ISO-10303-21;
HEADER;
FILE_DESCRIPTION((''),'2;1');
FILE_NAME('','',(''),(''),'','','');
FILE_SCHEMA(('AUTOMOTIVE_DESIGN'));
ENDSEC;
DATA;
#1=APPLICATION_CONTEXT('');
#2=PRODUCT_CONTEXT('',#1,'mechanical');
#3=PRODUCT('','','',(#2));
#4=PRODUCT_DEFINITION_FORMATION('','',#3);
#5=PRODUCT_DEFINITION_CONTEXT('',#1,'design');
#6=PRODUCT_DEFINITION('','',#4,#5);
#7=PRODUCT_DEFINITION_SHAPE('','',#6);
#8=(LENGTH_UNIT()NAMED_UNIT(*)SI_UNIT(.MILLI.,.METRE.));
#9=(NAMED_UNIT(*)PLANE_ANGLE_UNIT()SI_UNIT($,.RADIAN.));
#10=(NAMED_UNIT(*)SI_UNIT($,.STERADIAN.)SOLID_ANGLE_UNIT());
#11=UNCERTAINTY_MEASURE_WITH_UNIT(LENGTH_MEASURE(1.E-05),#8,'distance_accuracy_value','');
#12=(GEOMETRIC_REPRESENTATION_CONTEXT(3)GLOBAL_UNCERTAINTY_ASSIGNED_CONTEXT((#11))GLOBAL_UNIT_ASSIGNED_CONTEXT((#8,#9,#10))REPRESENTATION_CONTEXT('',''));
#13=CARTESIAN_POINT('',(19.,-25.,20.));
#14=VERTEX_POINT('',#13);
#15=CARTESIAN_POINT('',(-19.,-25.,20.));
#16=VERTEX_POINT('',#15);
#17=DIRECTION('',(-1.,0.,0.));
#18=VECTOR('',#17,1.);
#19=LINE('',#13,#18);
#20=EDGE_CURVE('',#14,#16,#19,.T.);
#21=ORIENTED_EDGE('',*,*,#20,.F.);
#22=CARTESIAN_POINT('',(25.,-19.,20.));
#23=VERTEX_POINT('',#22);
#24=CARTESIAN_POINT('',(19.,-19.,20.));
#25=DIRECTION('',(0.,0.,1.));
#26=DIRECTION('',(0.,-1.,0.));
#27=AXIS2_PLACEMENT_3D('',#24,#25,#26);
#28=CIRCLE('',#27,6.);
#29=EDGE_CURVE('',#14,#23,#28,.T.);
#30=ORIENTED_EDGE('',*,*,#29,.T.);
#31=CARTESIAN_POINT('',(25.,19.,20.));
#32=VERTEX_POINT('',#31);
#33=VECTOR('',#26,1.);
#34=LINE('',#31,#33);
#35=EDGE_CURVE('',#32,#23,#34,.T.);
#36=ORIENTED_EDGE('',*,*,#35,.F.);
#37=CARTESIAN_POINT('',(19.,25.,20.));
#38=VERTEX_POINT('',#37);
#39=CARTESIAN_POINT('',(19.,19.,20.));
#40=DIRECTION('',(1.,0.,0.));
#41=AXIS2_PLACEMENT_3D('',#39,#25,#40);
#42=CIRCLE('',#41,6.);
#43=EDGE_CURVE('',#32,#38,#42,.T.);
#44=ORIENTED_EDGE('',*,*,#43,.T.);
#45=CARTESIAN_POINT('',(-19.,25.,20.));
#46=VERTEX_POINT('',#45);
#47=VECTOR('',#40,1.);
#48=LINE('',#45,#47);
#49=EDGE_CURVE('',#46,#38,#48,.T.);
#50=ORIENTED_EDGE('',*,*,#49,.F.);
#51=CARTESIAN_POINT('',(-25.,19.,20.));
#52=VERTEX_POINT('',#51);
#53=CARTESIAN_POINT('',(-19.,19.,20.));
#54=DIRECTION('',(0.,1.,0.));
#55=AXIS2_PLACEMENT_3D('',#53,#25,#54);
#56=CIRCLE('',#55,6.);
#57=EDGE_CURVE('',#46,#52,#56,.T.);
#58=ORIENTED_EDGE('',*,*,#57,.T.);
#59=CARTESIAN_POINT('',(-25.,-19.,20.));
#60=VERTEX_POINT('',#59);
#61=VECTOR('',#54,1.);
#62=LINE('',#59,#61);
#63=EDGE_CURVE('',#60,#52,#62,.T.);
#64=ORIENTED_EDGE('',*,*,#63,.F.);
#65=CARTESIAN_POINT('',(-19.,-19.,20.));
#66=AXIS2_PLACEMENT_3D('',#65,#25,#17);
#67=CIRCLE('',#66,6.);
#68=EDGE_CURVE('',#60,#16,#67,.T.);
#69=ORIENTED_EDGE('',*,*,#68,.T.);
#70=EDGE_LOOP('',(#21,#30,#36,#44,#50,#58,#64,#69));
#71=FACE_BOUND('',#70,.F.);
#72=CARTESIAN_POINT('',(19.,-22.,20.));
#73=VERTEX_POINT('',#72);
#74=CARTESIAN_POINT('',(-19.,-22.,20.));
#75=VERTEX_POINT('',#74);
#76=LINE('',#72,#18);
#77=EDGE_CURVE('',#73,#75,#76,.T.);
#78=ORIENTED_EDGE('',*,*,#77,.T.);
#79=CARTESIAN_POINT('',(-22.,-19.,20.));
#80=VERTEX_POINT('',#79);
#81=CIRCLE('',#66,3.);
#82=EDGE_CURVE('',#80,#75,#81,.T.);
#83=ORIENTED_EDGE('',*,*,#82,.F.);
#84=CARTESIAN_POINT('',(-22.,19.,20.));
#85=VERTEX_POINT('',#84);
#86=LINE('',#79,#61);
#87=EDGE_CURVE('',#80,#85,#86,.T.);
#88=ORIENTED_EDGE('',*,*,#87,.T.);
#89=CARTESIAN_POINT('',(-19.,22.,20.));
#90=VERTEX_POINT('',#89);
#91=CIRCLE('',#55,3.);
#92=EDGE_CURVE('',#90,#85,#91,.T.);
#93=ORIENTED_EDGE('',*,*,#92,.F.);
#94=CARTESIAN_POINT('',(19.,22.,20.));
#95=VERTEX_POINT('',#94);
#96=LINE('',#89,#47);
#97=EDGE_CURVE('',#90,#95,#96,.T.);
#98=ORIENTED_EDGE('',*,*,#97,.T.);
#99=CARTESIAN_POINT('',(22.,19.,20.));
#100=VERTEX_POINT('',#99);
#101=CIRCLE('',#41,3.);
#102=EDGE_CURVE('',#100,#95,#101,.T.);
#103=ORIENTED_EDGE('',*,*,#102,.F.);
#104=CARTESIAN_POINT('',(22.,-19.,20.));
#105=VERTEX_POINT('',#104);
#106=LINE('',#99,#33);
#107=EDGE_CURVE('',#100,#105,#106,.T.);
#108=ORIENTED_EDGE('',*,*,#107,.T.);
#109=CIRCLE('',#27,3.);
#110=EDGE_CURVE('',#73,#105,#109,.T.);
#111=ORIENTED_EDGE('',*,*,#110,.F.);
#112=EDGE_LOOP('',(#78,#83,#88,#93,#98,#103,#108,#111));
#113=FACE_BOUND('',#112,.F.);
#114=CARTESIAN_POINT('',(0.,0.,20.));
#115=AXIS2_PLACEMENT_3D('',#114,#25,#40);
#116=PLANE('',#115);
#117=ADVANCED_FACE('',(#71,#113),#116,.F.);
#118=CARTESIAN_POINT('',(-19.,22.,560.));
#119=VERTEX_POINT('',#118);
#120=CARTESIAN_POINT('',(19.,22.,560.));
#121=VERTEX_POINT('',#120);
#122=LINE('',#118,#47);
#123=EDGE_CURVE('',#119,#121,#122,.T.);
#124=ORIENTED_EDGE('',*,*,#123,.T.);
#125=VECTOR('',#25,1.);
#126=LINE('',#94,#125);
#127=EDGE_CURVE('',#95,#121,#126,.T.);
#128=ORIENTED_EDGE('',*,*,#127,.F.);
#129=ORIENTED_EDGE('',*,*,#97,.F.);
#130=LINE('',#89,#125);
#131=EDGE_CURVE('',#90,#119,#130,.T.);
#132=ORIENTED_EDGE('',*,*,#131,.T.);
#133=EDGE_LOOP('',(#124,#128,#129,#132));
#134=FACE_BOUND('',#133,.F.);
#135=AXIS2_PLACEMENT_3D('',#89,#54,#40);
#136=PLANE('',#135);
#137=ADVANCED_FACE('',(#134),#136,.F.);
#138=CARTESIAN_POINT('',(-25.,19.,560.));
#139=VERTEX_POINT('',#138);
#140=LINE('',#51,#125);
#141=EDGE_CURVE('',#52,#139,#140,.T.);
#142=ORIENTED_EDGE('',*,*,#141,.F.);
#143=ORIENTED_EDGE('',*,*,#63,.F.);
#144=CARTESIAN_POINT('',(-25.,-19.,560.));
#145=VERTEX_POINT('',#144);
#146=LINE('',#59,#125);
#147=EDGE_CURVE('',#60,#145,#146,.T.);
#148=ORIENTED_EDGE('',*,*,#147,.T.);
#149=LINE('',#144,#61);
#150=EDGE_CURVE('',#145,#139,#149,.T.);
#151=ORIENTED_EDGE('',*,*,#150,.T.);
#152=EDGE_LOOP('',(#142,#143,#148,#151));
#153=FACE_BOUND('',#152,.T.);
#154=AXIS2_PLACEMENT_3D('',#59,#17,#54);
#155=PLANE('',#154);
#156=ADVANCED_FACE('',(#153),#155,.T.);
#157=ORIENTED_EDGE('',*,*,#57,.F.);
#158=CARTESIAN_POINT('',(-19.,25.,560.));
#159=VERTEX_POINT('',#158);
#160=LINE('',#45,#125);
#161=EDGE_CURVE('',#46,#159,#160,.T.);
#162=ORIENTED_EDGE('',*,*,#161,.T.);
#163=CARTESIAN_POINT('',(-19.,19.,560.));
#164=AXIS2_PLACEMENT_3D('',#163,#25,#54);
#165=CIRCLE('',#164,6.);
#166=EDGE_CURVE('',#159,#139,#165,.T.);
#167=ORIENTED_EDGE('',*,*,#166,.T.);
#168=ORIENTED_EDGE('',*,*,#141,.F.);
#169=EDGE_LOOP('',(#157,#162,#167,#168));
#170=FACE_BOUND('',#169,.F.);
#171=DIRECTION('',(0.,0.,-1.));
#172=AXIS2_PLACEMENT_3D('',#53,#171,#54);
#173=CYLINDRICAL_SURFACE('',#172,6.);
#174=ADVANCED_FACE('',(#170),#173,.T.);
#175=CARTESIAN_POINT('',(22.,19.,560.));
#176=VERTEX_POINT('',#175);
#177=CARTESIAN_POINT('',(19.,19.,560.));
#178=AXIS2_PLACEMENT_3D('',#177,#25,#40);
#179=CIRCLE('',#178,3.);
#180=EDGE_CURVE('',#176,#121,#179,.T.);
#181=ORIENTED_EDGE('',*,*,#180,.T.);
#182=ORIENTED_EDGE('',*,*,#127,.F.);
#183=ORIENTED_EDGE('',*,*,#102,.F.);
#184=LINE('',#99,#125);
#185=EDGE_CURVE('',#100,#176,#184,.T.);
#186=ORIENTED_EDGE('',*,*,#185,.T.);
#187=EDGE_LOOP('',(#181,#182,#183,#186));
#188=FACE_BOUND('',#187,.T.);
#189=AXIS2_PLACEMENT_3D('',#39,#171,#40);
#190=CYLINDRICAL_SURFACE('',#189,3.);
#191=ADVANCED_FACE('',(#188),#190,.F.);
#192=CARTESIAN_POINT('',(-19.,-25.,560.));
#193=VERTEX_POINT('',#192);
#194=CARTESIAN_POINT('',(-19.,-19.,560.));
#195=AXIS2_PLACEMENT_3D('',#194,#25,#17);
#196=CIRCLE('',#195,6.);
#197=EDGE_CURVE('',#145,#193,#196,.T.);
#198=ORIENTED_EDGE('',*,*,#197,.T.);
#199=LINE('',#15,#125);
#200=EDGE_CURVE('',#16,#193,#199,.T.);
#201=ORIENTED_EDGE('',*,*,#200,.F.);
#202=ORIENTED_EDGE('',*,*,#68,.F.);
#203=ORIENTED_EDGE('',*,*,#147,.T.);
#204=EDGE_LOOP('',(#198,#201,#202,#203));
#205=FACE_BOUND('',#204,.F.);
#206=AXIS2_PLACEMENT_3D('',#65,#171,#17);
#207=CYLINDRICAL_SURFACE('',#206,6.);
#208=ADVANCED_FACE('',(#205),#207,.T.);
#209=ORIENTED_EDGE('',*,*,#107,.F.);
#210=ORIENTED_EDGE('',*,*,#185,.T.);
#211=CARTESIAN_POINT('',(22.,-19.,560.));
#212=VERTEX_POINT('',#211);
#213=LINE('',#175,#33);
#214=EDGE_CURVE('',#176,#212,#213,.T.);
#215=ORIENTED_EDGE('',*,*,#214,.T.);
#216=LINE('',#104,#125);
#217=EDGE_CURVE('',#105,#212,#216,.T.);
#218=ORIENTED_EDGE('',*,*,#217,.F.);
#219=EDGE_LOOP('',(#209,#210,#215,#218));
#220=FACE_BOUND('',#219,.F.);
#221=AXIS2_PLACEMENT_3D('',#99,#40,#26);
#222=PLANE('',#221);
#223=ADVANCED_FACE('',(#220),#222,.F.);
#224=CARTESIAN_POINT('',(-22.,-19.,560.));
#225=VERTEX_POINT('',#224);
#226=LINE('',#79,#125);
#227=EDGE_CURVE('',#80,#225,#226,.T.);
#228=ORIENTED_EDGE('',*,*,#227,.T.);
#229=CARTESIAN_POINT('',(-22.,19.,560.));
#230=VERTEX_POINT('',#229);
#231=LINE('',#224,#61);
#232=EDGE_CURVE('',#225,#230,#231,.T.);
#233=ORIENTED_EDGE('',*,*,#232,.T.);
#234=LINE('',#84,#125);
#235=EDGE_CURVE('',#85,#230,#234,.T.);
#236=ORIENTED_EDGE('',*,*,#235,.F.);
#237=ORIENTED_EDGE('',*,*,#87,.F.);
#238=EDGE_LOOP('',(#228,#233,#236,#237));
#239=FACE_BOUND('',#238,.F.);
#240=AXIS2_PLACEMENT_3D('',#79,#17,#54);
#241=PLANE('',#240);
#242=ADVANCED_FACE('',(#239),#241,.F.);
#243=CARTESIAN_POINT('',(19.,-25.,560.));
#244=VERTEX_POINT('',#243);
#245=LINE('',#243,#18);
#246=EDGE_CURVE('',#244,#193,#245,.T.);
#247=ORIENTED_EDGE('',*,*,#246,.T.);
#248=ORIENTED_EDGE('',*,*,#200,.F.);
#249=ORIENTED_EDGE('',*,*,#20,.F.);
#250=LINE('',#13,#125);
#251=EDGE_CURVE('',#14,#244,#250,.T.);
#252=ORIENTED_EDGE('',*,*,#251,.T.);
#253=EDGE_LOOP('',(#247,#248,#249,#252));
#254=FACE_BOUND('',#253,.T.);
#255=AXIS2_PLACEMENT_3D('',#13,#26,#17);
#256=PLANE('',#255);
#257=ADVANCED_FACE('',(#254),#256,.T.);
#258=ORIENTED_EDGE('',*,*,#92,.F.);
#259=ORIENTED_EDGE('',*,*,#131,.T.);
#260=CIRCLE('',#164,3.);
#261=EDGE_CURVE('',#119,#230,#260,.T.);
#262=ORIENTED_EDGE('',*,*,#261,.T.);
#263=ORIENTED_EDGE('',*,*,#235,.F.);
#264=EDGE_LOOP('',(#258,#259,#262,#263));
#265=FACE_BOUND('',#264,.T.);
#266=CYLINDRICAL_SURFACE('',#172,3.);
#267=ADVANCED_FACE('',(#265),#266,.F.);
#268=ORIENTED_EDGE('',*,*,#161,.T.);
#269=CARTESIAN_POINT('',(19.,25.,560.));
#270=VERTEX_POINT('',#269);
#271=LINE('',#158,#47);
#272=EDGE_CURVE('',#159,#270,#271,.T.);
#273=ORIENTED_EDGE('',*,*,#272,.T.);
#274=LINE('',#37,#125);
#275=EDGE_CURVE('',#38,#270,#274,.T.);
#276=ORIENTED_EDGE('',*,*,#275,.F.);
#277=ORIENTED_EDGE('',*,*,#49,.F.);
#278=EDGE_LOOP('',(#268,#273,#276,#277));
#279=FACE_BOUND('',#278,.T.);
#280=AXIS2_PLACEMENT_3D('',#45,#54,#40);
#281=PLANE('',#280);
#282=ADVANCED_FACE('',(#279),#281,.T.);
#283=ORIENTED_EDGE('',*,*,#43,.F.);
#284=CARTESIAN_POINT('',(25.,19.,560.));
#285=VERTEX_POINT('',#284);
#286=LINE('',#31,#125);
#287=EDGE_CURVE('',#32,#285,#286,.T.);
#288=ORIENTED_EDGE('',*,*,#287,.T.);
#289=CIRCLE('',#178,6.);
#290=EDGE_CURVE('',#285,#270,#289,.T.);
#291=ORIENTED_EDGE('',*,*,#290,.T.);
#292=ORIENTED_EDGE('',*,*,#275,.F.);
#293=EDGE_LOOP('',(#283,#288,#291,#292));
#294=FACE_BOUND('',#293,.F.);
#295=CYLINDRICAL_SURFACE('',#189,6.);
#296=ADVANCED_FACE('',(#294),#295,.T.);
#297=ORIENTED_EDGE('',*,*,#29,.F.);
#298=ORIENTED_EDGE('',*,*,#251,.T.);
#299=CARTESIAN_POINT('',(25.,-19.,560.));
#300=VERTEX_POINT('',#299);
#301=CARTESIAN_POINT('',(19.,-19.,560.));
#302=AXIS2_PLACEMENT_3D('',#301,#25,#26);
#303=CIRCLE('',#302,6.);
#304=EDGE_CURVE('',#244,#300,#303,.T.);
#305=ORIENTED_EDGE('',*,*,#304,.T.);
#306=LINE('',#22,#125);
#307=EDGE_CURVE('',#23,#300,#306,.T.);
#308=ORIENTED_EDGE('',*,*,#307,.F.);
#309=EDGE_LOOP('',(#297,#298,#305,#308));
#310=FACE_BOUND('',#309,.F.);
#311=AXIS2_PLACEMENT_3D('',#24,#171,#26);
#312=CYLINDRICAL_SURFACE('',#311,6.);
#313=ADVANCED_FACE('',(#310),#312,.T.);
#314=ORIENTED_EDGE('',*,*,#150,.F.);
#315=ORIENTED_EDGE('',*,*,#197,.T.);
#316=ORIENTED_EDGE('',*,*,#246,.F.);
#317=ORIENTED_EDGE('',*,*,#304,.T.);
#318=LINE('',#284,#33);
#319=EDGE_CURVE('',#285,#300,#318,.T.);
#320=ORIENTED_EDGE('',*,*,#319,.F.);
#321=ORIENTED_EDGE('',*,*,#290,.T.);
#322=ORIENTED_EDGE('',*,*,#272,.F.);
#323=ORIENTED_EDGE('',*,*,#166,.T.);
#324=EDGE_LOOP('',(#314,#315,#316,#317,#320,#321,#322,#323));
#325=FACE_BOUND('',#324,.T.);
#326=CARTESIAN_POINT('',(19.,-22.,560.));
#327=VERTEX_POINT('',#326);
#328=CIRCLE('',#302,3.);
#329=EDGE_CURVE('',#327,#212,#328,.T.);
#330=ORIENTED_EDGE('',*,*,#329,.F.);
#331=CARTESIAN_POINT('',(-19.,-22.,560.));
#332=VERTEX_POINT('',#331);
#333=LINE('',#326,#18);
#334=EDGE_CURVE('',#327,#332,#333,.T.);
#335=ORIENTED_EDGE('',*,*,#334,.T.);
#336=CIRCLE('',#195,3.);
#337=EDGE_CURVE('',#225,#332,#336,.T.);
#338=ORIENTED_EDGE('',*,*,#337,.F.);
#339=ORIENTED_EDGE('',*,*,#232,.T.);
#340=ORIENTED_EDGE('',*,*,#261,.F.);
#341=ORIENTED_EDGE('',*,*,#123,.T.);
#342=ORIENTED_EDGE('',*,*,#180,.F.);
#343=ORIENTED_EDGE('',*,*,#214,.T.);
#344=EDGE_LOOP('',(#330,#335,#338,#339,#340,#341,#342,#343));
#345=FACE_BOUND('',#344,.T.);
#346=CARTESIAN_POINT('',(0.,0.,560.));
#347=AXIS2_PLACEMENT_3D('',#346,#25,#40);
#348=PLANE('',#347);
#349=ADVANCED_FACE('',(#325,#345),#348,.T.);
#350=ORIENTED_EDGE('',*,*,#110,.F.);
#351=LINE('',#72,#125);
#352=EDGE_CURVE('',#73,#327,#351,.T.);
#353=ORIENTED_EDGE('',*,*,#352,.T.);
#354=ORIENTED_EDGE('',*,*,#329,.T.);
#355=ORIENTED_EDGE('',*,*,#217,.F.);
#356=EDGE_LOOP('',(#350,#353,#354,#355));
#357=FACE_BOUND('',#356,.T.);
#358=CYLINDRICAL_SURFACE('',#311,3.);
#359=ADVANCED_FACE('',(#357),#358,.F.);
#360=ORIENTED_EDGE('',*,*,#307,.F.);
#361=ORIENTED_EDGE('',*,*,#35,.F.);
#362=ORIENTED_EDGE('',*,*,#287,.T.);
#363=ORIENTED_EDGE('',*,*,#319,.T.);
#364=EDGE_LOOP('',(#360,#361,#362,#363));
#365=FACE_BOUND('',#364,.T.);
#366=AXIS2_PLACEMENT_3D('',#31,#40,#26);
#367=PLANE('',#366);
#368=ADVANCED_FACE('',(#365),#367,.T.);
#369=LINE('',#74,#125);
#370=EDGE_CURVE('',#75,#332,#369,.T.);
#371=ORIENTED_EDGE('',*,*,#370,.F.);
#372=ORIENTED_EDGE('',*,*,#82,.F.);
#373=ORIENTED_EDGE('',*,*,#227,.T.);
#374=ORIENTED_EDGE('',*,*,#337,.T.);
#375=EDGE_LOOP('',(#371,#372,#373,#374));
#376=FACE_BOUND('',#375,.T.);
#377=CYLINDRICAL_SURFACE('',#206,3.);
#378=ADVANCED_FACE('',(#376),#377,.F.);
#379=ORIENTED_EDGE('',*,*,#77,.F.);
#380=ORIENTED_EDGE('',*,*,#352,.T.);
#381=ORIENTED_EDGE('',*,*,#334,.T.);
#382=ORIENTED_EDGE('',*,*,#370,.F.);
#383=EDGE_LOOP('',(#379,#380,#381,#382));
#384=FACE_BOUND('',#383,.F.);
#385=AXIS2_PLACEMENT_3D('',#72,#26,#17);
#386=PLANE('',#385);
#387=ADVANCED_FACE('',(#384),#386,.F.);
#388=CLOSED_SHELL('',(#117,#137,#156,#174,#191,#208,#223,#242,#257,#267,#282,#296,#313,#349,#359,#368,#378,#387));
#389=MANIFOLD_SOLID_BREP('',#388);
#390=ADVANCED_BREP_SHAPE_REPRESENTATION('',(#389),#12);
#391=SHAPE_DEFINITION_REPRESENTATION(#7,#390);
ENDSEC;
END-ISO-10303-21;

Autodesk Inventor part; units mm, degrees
ref_plane "YZ Plane" through (0, 0, 0) normal (1, 0, 0) x (0, 1, 0)
ref_plane "Start Plane" through (0, 0, 20) normal (0, 0, 1) x (1, 0, 0)
ref_plane "End Plane" through (0, 0, 560) normal (0, 0, 1) x (1, 0, 0)
sketch "Sketch" plane through (0, 0, 0) normal (0, 0, 1) x (1, 0, 0)
  line L0 (-25, -19) -> (-25, 19)
  line L1 (-19, 25) -> (19, 25)
  line L2 (25, 19) -> (25, -19)
  line L3 (19, -25) -> (-19, -25)
  arc A0 (-25, -19) -> (-19, -25) centre (-19, -19) ccw
  arc A1 (25, 19) -> (19, 25) centre (19, 19) ccw
  arc A2 (-19, 25) -> (-25, 19) centre (-19, 19) ccw
  arc A3 (19, -25) -> (25, -19) centre (19, -19) ccw
  arc A4 (-19, 22) -> (-22, 19) centre (-19, 19) ccw
  line L4 (-19, 22) -> (19, 22)
  arc A5 (22, 19) -> (19, 22) centre (19, 19) ccw
  line L5 (22, 19) -> (22, -19)
  arc A6 (19, -22) -> (22, -19) centre (19, -19) ccw
  line L6 (19, -22) -> (-19, -22)
  arc A7 (-22, -19) -> (-19, -22) centre (-19, -19) ccw
  line L7 (-22, -19) -> (-22, 19)
  line L8 (0, 36.7397) -> (0, -36.7397) construction
  line L9 (-36.7397, 0) -> (36.7397, 0) construction
  dimension "d7" = 6
  dimension "d9" = 50
  dimension "d11" = 50
  dimension "d12" = 3
  dimension "d15" = 25
  dimension "d16" = 25
extrude "Body" add sketch "Sketch" along normal up to surface (540 mm away) from surface at 20
sketch "Sketch3" plane through (0, 0, 0) normal (0, 0, 1) x (1, 0, 0)
  line L0 (0, 0) -> (10, 0)
ref_plane "Work Plane3" through (0, 0, 0) normal (0, -1, 0) x (1, 0, 0)
sketch "Sketch4" plane through (0, 0, 0) normal (0, -1, 0) x (1, 0, 0)
  line L0 (-2, 20) -> (12, 20) projected
  line L1 (-2, 560) -> (12, 560) projected
  dimension "d18" = 540
equation "\"d7\" = G_IR"
equation "\"d9\" = G_W"
equation "\"d11\" = G_H"
equation "\"d12\" = G_T"
equation "\"d15\" = 0.5 * d9"
equation "\"d16\" = 0.5 * d11"
equation "\"d3\" = G_L"
equation "\"G_W\" = 50"
equation "\"G_H\" = 50"
equation "\"G_T\" = 3"
equation "\"G_IR\" = 6"
equation "\"G_L\" = d18"
properties part number "ISO 10799-2 - 50x50x3 - 540" material "Steel, Mild"
